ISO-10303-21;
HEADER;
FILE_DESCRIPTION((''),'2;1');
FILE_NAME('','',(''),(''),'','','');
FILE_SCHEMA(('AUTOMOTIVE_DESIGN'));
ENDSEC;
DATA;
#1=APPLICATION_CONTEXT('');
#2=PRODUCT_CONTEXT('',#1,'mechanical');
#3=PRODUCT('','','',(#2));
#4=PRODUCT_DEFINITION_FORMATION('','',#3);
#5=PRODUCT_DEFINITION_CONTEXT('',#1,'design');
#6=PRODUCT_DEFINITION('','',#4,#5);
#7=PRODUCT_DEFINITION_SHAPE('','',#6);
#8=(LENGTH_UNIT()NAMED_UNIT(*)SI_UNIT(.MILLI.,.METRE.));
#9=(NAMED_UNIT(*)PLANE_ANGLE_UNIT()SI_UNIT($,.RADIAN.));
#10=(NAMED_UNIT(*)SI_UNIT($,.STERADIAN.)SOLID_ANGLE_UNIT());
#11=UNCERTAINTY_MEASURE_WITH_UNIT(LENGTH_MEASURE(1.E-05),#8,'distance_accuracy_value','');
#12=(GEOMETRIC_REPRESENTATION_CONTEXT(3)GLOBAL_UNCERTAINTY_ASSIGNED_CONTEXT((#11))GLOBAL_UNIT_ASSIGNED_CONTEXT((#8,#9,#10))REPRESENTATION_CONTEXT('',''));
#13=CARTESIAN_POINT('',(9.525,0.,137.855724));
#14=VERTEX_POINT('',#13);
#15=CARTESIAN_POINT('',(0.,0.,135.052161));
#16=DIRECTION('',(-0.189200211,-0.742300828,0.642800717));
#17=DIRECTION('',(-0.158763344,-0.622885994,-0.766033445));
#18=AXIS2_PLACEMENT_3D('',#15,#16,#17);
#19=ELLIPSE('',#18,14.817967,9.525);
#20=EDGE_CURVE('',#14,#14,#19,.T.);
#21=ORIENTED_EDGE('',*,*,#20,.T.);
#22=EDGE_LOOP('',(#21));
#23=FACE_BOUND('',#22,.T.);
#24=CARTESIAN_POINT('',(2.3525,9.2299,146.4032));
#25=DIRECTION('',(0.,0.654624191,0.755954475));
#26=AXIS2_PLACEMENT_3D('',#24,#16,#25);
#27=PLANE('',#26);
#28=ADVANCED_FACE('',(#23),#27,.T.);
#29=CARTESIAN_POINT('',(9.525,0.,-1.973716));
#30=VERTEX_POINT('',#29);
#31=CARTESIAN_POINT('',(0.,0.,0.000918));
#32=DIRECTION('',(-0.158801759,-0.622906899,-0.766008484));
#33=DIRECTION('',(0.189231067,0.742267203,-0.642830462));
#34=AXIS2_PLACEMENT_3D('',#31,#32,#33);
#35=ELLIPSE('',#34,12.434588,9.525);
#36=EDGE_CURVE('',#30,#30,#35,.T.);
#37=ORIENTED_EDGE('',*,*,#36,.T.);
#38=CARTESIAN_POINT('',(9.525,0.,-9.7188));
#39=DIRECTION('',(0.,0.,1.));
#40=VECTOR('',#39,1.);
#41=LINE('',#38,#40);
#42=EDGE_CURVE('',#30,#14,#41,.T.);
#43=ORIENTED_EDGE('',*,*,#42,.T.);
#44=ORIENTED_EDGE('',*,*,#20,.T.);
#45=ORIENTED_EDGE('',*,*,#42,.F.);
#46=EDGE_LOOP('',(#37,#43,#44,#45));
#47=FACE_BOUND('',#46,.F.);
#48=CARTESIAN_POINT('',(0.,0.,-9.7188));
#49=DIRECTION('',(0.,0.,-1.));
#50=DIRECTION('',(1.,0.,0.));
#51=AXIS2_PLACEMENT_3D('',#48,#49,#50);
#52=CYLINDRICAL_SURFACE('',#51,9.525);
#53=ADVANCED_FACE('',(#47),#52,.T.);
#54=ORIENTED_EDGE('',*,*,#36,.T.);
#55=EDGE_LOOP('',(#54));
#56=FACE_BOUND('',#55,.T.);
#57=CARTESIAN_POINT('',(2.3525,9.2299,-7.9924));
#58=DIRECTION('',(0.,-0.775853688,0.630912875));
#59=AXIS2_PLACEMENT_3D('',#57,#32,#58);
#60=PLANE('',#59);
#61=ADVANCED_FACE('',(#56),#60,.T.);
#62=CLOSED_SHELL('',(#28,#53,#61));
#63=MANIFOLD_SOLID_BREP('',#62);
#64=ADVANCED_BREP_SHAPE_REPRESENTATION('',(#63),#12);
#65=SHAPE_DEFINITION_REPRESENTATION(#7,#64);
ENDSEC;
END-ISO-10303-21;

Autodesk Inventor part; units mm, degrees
ref_plane "Start Plane" through (0, 0, -9.7188) normal (0, 0, 1) x (1, 0, 0)
ref_plane "End Plane" through (0, 0, 148.8552) normal (0, 0, 1) x (1, 0, 0)
sketch "Sketch" plane through (0, 0, 0) normal (0, 0, 1) x (1, 0, 0)
  circle A0 centre (0, 0) radius 9.525
  dimension "d0" = 19.05
extrude "Body" add sketch "Sketch" along normal up to surface (158.574 mm away) from surface at -9.7188
sketch "Sketch2" plane through (0, 0, 0) normal (0, 0, 1) x (1, 0, 0)
  line L0 (0, 0) -> (10, 0)
ref_plane "Work Plane3" through (0, 0, 0) normal (0, -1, 0) x (1, 0, 0)
ref_plane "Work Plane4" through (2.3525, 9.2299, -7.9924) normal (-0.1588, -0.6229, -0.766) x (0.8923, -0.4227, 0.1588)
split "Split1" plane through (2.3525, 9.2299, -7.9924) removes the side toward (-0.1588, -0.6229, -0.766)
ref_plane "Work Plane5" through (2.3525, 9.2299, 146.4032) normal (-0.1892, -0.7423, 0.6428) x (0.9782, -0.0855, 0.1892)
split "Split2" plane through (2.3525, 9.2299, 146.4032) removes the side toward (-0.1892, -0.7423, 0.6428)
sketch "Sketch3" plane through (0, 0, 0) normal (0, -1, 0) x (1, 0, 0)
  line L0 (-2, -9.7188) -> (12, -9.7188) projected
  line L1 (-2, 148.8552) -> (12, 148.8552) projected
  dimension "d7" = 158.574
equation "\"d0\" = Diam"
equation "\"d1\" = G_L"
equation "\"Diam\" = 19.05"
equation "\"G_L\" = 154.39562"
equation "\"G_OFFSET_START\" = 9.71882"
equation "\"G_OFFSET_END\" = 13.80341"
equation "\"d4\" = -G_OFFSET_START"
equation "\"d5\" = G_OFFSET_END + B_L"
equation "\"B_L\" = 135.05174"
properties part number "ANSI/AISC Rolled Steel - 3/4-6.079, RB" material "Steel, Mild"
